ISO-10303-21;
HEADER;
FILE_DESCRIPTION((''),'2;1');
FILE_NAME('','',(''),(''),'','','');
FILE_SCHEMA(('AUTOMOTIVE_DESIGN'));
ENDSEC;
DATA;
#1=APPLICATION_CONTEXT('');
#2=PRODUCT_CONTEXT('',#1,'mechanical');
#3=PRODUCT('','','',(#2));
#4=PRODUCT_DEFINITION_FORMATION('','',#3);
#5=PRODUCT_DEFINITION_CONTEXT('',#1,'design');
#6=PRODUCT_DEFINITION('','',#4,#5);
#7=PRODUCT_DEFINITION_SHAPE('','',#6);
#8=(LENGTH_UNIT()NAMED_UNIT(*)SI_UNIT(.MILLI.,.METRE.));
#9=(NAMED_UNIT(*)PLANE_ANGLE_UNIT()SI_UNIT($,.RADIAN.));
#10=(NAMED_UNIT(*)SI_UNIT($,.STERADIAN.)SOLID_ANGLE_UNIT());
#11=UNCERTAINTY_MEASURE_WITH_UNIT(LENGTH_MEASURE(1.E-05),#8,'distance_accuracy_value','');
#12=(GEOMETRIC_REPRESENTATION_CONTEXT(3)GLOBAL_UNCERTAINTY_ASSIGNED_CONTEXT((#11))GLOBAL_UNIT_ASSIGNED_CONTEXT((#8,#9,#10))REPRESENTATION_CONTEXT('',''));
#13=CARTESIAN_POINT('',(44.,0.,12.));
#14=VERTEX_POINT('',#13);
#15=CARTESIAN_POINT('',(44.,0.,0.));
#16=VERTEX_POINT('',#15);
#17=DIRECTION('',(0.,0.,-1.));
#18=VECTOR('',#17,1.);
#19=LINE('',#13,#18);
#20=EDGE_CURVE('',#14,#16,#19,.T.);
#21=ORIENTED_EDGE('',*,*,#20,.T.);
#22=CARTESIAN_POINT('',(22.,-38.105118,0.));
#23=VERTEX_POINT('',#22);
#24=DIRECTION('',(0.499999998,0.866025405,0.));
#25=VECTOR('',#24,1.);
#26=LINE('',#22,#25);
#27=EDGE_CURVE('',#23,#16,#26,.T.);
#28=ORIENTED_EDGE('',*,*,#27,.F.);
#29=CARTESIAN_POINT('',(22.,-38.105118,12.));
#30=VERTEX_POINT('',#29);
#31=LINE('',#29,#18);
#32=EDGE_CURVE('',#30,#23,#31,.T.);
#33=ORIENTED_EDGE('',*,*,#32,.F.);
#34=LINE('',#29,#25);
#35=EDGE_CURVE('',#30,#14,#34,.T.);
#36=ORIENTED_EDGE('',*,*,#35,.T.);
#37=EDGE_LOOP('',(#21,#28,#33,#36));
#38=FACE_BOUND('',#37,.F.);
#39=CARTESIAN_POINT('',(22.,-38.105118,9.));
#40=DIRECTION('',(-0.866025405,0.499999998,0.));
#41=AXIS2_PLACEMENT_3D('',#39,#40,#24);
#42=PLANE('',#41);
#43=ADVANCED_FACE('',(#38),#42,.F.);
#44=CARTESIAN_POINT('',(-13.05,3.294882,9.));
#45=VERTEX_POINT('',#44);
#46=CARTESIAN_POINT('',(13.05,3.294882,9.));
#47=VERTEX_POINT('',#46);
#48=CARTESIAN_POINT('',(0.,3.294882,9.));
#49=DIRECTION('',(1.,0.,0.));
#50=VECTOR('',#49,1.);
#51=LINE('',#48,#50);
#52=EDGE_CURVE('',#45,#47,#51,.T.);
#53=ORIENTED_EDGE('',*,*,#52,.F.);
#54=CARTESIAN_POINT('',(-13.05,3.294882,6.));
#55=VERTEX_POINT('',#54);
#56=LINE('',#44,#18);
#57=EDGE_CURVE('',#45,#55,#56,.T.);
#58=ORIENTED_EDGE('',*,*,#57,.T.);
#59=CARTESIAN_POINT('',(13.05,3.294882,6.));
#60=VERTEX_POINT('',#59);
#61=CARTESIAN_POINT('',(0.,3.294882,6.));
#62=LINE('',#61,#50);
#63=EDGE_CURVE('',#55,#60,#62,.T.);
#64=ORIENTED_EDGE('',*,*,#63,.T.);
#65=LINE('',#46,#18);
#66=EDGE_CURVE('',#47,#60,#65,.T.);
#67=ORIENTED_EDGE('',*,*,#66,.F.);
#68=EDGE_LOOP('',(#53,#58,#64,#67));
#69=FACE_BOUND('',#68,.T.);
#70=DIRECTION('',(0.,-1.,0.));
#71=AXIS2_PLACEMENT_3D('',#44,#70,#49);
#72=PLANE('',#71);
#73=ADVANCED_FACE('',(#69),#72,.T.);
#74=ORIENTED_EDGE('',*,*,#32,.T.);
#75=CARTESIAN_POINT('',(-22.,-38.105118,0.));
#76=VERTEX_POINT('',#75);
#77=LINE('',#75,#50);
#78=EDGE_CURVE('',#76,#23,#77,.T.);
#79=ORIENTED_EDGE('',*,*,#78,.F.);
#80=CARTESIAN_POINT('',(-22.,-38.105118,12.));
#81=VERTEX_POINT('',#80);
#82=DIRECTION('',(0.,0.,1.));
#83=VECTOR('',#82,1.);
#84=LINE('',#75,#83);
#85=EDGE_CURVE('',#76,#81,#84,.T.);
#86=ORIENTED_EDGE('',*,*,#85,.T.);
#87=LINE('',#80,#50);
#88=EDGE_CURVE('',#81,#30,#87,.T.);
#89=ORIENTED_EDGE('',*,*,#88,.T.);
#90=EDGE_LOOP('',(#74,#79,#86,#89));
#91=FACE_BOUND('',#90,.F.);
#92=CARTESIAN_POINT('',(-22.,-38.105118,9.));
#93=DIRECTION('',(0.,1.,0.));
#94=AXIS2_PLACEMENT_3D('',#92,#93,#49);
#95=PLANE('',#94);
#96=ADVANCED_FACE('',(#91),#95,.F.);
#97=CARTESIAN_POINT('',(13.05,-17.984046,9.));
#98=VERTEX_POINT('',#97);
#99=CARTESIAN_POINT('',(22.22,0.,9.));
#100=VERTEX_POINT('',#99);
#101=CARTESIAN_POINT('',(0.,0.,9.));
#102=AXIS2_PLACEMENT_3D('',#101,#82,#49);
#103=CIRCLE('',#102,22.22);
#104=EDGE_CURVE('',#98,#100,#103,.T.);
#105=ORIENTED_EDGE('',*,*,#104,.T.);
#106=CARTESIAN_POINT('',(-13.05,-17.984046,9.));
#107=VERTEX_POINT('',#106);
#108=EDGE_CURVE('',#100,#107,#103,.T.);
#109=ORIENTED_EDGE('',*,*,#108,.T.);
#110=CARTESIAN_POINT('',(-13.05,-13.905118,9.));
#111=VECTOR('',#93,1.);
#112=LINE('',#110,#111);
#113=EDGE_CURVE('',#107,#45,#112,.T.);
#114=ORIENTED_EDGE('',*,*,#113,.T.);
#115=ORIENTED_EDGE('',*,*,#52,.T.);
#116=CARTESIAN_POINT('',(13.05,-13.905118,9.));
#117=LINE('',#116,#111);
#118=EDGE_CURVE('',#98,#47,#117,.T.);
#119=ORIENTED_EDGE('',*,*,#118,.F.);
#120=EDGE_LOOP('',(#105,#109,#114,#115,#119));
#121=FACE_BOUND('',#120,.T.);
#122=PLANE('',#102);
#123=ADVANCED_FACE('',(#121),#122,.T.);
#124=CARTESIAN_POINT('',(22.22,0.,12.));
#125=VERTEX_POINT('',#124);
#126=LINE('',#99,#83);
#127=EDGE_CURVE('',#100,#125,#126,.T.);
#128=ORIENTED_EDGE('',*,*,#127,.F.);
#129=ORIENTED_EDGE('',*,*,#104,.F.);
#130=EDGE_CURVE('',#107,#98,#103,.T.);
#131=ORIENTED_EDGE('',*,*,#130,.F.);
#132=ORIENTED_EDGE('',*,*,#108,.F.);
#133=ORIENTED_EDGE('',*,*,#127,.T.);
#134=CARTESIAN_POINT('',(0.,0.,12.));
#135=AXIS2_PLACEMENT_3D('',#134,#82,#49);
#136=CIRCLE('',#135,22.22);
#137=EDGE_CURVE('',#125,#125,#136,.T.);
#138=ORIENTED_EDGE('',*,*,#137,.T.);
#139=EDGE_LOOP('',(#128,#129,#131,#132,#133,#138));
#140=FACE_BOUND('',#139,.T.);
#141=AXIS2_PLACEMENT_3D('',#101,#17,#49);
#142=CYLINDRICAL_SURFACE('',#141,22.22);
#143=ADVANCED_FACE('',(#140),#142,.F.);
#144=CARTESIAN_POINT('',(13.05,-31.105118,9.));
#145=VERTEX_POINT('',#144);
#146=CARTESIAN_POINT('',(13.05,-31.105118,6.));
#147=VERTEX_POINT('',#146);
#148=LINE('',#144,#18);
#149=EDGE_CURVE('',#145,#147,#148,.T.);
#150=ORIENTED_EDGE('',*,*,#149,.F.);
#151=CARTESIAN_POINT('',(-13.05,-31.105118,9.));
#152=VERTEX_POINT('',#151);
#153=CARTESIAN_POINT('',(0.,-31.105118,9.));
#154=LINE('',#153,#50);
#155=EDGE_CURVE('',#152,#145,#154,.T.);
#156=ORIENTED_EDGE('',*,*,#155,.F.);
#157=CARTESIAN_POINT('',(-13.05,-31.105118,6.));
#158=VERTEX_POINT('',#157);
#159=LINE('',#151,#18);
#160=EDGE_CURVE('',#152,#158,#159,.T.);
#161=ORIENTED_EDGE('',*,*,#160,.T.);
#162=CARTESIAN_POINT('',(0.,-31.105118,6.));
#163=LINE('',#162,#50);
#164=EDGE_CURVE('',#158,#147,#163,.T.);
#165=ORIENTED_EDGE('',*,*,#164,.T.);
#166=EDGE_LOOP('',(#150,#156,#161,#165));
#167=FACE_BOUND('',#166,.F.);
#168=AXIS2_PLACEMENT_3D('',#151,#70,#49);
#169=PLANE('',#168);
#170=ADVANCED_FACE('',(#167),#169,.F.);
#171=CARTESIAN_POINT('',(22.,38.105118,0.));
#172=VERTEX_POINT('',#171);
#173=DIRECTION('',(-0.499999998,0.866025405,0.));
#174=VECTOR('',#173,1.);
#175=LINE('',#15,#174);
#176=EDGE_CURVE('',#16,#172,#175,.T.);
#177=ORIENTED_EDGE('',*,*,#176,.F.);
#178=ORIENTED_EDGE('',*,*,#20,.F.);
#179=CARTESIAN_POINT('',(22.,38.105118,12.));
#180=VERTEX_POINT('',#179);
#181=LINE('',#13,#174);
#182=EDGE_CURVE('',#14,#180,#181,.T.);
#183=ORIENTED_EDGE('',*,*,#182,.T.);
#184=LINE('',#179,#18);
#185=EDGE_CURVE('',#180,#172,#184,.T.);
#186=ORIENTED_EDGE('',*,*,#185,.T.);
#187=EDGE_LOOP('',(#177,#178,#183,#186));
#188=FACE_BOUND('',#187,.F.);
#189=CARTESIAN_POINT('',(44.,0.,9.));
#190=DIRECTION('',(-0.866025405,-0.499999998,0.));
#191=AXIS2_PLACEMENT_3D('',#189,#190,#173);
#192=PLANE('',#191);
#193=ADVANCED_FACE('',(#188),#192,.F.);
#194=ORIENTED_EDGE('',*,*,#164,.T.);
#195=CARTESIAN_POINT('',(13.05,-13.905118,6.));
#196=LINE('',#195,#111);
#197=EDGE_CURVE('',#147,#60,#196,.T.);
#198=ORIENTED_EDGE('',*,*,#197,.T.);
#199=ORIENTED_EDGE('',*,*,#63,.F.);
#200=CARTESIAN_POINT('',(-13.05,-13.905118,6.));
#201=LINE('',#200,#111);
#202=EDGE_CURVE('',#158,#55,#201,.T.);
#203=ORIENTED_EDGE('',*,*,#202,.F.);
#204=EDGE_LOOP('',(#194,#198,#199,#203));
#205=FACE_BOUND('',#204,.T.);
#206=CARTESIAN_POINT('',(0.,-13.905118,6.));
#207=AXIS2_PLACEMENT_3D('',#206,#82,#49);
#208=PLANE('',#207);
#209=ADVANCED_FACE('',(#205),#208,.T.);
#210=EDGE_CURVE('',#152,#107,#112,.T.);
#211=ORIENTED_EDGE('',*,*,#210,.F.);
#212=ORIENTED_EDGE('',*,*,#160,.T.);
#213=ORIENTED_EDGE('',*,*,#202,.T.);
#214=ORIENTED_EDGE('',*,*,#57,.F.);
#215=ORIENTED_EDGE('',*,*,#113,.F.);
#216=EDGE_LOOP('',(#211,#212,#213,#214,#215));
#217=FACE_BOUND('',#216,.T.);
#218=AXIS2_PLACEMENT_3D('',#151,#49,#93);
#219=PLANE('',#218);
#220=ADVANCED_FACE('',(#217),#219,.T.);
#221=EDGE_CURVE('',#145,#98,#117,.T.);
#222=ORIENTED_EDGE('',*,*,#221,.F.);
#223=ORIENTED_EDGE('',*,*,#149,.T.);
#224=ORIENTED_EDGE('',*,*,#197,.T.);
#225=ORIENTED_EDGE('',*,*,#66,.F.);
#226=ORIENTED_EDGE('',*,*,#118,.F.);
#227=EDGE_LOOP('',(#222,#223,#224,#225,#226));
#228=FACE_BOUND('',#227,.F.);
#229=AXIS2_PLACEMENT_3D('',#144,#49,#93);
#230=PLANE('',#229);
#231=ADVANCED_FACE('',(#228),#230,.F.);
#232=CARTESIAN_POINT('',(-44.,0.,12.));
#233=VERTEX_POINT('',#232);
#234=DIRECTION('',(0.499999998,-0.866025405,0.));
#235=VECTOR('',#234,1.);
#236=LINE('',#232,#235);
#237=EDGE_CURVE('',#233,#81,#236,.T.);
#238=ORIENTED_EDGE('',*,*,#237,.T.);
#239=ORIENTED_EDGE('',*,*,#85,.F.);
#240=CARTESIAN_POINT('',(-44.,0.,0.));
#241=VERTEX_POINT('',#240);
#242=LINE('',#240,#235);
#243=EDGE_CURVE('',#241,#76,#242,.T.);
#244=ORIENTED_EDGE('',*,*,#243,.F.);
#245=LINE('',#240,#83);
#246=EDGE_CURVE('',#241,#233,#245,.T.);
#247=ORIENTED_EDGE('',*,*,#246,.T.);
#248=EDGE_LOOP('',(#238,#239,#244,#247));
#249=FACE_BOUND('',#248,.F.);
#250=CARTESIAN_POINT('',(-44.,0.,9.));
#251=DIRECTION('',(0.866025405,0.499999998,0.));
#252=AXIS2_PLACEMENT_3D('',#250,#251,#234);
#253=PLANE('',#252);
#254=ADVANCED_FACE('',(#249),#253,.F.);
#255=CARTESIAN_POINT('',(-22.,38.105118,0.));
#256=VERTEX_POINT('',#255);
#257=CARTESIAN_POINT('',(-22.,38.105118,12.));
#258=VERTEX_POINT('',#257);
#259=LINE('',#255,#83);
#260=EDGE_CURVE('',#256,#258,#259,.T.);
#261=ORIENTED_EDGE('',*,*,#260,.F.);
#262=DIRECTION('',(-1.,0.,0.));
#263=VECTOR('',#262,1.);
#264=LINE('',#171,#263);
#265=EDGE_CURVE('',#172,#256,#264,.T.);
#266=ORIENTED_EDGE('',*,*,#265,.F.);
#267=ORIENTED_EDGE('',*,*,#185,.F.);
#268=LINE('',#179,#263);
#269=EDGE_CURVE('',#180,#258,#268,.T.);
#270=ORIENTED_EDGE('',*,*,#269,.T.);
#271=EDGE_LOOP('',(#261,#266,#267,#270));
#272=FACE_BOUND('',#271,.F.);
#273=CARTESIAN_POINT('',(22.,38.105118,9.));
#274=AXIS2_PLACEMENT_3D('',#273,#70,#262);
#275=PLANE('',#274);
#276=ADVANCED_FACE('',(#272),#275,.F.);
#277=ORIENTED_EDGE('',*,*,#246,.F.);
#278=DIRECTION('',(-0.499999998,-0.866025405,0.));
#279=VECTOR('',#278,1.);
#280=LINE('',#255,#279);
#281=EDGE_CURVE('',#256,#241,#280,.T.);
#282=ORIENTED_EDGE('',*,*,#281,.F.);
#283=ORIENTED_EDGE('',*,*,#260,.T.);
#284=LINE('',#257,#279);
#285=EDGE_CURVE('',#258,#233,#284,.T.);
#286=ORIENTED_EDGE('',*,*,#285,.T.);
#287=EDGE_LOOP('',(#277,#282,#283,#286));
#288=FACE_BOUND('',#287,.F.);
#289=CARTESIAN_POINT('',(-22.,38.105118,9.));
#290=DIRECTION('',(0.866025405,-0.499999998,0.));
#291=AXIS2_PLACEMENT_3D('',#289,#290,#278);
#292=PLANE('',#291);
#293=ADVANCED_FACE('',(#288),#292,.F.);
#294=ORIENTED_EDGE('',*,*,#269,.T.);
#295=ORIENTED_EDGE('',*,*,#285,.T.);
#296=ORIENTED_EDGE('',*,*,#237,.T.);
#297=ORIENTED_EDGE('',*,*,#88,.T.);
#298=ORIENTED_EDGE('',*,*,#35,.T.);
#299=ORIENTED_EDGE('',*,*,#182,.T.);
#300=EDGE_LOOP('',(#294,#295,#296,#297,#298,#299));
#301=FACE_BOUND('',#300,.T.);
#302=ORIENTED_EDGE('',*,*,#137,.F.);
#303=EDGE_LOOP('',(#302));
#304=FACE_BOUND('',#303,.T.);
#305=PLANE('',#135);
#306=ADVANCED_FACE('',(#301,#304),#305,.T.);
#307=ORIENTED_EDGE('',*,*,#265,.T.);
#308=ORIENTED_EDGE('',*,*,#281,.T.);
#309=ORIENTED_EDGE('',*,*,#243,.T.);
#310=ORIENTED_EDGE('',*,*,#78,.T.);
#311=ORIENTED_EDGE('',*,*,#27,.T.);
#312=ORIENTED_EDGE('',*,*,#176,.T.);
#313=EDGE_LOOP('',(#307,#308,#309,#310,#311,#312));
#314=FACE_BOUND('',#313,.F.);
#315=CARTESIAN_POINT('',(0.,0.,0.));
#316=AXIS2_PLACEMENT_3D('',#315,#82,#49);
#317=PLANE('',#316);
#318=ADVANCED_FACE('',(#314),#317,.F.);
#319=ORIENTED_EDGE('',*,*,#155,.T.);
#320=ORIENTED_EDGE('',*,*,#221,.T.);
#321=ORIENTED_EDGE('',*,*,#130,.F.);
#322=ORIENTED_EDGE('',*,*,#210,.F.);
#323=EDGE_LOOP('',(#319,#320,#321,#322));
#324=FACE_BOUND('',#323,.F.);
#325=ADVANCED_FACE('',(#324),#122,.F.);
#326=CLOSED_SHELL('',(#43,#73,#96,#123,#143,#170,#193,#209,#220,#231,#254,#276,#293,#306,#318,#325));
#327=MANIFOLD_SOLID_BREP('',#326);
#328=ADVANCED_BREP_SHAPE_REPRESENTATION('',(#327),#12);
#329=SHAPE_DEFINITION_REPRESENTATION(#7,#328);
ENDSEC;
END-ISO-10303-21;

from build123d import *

# Parameters (mm, degrees)
PAD_DEPTH    = 9
SKETCH001_W  = 26.1
SKETCH001_H  = 34.4
POCKET_DEPTH = 3
SKETCH002_R  = 22.22
PAD001_DEPTH = 3


with BuildPart() as part:
    # Sketch → Pad (new body)
    with BuildSketch(Plane.XY):
        Polygon((44, 0), (22, 38.105118), (-22, 38.105118), (-44, 0), (-22, -38.105118), (22, -38.105118), align=None)
    extrude(amount=PAD_DEPTH)

    # Sketch001 (on Face8 of Pad) → Pocket (cut)
    with BuildSketch(Plane.XY.offset(9)):
        with Locations((0, -13.905118)):
            Rectangle(SKETCH001_W, SKETCH001_H)
    extrude(amount=-POCKET_DEPTH, mode=Mode.SUBTRACT)

    # Sketch002 (on Face5 of Pocket) → Pad001 (join)
    with BuildSketch(Plane.XY.offset(9)):
        Polygon((22, 38.105118), (-22, 38.105118), (-44, 0), (-22, -38.105118), (22, -38.105118), (44, 0), align=None)
        Circle(SKETCH002_R, mode=Mode.SUBTRACT)
    extrude(amount=PAD001_DEPTH)


solid = part.part
